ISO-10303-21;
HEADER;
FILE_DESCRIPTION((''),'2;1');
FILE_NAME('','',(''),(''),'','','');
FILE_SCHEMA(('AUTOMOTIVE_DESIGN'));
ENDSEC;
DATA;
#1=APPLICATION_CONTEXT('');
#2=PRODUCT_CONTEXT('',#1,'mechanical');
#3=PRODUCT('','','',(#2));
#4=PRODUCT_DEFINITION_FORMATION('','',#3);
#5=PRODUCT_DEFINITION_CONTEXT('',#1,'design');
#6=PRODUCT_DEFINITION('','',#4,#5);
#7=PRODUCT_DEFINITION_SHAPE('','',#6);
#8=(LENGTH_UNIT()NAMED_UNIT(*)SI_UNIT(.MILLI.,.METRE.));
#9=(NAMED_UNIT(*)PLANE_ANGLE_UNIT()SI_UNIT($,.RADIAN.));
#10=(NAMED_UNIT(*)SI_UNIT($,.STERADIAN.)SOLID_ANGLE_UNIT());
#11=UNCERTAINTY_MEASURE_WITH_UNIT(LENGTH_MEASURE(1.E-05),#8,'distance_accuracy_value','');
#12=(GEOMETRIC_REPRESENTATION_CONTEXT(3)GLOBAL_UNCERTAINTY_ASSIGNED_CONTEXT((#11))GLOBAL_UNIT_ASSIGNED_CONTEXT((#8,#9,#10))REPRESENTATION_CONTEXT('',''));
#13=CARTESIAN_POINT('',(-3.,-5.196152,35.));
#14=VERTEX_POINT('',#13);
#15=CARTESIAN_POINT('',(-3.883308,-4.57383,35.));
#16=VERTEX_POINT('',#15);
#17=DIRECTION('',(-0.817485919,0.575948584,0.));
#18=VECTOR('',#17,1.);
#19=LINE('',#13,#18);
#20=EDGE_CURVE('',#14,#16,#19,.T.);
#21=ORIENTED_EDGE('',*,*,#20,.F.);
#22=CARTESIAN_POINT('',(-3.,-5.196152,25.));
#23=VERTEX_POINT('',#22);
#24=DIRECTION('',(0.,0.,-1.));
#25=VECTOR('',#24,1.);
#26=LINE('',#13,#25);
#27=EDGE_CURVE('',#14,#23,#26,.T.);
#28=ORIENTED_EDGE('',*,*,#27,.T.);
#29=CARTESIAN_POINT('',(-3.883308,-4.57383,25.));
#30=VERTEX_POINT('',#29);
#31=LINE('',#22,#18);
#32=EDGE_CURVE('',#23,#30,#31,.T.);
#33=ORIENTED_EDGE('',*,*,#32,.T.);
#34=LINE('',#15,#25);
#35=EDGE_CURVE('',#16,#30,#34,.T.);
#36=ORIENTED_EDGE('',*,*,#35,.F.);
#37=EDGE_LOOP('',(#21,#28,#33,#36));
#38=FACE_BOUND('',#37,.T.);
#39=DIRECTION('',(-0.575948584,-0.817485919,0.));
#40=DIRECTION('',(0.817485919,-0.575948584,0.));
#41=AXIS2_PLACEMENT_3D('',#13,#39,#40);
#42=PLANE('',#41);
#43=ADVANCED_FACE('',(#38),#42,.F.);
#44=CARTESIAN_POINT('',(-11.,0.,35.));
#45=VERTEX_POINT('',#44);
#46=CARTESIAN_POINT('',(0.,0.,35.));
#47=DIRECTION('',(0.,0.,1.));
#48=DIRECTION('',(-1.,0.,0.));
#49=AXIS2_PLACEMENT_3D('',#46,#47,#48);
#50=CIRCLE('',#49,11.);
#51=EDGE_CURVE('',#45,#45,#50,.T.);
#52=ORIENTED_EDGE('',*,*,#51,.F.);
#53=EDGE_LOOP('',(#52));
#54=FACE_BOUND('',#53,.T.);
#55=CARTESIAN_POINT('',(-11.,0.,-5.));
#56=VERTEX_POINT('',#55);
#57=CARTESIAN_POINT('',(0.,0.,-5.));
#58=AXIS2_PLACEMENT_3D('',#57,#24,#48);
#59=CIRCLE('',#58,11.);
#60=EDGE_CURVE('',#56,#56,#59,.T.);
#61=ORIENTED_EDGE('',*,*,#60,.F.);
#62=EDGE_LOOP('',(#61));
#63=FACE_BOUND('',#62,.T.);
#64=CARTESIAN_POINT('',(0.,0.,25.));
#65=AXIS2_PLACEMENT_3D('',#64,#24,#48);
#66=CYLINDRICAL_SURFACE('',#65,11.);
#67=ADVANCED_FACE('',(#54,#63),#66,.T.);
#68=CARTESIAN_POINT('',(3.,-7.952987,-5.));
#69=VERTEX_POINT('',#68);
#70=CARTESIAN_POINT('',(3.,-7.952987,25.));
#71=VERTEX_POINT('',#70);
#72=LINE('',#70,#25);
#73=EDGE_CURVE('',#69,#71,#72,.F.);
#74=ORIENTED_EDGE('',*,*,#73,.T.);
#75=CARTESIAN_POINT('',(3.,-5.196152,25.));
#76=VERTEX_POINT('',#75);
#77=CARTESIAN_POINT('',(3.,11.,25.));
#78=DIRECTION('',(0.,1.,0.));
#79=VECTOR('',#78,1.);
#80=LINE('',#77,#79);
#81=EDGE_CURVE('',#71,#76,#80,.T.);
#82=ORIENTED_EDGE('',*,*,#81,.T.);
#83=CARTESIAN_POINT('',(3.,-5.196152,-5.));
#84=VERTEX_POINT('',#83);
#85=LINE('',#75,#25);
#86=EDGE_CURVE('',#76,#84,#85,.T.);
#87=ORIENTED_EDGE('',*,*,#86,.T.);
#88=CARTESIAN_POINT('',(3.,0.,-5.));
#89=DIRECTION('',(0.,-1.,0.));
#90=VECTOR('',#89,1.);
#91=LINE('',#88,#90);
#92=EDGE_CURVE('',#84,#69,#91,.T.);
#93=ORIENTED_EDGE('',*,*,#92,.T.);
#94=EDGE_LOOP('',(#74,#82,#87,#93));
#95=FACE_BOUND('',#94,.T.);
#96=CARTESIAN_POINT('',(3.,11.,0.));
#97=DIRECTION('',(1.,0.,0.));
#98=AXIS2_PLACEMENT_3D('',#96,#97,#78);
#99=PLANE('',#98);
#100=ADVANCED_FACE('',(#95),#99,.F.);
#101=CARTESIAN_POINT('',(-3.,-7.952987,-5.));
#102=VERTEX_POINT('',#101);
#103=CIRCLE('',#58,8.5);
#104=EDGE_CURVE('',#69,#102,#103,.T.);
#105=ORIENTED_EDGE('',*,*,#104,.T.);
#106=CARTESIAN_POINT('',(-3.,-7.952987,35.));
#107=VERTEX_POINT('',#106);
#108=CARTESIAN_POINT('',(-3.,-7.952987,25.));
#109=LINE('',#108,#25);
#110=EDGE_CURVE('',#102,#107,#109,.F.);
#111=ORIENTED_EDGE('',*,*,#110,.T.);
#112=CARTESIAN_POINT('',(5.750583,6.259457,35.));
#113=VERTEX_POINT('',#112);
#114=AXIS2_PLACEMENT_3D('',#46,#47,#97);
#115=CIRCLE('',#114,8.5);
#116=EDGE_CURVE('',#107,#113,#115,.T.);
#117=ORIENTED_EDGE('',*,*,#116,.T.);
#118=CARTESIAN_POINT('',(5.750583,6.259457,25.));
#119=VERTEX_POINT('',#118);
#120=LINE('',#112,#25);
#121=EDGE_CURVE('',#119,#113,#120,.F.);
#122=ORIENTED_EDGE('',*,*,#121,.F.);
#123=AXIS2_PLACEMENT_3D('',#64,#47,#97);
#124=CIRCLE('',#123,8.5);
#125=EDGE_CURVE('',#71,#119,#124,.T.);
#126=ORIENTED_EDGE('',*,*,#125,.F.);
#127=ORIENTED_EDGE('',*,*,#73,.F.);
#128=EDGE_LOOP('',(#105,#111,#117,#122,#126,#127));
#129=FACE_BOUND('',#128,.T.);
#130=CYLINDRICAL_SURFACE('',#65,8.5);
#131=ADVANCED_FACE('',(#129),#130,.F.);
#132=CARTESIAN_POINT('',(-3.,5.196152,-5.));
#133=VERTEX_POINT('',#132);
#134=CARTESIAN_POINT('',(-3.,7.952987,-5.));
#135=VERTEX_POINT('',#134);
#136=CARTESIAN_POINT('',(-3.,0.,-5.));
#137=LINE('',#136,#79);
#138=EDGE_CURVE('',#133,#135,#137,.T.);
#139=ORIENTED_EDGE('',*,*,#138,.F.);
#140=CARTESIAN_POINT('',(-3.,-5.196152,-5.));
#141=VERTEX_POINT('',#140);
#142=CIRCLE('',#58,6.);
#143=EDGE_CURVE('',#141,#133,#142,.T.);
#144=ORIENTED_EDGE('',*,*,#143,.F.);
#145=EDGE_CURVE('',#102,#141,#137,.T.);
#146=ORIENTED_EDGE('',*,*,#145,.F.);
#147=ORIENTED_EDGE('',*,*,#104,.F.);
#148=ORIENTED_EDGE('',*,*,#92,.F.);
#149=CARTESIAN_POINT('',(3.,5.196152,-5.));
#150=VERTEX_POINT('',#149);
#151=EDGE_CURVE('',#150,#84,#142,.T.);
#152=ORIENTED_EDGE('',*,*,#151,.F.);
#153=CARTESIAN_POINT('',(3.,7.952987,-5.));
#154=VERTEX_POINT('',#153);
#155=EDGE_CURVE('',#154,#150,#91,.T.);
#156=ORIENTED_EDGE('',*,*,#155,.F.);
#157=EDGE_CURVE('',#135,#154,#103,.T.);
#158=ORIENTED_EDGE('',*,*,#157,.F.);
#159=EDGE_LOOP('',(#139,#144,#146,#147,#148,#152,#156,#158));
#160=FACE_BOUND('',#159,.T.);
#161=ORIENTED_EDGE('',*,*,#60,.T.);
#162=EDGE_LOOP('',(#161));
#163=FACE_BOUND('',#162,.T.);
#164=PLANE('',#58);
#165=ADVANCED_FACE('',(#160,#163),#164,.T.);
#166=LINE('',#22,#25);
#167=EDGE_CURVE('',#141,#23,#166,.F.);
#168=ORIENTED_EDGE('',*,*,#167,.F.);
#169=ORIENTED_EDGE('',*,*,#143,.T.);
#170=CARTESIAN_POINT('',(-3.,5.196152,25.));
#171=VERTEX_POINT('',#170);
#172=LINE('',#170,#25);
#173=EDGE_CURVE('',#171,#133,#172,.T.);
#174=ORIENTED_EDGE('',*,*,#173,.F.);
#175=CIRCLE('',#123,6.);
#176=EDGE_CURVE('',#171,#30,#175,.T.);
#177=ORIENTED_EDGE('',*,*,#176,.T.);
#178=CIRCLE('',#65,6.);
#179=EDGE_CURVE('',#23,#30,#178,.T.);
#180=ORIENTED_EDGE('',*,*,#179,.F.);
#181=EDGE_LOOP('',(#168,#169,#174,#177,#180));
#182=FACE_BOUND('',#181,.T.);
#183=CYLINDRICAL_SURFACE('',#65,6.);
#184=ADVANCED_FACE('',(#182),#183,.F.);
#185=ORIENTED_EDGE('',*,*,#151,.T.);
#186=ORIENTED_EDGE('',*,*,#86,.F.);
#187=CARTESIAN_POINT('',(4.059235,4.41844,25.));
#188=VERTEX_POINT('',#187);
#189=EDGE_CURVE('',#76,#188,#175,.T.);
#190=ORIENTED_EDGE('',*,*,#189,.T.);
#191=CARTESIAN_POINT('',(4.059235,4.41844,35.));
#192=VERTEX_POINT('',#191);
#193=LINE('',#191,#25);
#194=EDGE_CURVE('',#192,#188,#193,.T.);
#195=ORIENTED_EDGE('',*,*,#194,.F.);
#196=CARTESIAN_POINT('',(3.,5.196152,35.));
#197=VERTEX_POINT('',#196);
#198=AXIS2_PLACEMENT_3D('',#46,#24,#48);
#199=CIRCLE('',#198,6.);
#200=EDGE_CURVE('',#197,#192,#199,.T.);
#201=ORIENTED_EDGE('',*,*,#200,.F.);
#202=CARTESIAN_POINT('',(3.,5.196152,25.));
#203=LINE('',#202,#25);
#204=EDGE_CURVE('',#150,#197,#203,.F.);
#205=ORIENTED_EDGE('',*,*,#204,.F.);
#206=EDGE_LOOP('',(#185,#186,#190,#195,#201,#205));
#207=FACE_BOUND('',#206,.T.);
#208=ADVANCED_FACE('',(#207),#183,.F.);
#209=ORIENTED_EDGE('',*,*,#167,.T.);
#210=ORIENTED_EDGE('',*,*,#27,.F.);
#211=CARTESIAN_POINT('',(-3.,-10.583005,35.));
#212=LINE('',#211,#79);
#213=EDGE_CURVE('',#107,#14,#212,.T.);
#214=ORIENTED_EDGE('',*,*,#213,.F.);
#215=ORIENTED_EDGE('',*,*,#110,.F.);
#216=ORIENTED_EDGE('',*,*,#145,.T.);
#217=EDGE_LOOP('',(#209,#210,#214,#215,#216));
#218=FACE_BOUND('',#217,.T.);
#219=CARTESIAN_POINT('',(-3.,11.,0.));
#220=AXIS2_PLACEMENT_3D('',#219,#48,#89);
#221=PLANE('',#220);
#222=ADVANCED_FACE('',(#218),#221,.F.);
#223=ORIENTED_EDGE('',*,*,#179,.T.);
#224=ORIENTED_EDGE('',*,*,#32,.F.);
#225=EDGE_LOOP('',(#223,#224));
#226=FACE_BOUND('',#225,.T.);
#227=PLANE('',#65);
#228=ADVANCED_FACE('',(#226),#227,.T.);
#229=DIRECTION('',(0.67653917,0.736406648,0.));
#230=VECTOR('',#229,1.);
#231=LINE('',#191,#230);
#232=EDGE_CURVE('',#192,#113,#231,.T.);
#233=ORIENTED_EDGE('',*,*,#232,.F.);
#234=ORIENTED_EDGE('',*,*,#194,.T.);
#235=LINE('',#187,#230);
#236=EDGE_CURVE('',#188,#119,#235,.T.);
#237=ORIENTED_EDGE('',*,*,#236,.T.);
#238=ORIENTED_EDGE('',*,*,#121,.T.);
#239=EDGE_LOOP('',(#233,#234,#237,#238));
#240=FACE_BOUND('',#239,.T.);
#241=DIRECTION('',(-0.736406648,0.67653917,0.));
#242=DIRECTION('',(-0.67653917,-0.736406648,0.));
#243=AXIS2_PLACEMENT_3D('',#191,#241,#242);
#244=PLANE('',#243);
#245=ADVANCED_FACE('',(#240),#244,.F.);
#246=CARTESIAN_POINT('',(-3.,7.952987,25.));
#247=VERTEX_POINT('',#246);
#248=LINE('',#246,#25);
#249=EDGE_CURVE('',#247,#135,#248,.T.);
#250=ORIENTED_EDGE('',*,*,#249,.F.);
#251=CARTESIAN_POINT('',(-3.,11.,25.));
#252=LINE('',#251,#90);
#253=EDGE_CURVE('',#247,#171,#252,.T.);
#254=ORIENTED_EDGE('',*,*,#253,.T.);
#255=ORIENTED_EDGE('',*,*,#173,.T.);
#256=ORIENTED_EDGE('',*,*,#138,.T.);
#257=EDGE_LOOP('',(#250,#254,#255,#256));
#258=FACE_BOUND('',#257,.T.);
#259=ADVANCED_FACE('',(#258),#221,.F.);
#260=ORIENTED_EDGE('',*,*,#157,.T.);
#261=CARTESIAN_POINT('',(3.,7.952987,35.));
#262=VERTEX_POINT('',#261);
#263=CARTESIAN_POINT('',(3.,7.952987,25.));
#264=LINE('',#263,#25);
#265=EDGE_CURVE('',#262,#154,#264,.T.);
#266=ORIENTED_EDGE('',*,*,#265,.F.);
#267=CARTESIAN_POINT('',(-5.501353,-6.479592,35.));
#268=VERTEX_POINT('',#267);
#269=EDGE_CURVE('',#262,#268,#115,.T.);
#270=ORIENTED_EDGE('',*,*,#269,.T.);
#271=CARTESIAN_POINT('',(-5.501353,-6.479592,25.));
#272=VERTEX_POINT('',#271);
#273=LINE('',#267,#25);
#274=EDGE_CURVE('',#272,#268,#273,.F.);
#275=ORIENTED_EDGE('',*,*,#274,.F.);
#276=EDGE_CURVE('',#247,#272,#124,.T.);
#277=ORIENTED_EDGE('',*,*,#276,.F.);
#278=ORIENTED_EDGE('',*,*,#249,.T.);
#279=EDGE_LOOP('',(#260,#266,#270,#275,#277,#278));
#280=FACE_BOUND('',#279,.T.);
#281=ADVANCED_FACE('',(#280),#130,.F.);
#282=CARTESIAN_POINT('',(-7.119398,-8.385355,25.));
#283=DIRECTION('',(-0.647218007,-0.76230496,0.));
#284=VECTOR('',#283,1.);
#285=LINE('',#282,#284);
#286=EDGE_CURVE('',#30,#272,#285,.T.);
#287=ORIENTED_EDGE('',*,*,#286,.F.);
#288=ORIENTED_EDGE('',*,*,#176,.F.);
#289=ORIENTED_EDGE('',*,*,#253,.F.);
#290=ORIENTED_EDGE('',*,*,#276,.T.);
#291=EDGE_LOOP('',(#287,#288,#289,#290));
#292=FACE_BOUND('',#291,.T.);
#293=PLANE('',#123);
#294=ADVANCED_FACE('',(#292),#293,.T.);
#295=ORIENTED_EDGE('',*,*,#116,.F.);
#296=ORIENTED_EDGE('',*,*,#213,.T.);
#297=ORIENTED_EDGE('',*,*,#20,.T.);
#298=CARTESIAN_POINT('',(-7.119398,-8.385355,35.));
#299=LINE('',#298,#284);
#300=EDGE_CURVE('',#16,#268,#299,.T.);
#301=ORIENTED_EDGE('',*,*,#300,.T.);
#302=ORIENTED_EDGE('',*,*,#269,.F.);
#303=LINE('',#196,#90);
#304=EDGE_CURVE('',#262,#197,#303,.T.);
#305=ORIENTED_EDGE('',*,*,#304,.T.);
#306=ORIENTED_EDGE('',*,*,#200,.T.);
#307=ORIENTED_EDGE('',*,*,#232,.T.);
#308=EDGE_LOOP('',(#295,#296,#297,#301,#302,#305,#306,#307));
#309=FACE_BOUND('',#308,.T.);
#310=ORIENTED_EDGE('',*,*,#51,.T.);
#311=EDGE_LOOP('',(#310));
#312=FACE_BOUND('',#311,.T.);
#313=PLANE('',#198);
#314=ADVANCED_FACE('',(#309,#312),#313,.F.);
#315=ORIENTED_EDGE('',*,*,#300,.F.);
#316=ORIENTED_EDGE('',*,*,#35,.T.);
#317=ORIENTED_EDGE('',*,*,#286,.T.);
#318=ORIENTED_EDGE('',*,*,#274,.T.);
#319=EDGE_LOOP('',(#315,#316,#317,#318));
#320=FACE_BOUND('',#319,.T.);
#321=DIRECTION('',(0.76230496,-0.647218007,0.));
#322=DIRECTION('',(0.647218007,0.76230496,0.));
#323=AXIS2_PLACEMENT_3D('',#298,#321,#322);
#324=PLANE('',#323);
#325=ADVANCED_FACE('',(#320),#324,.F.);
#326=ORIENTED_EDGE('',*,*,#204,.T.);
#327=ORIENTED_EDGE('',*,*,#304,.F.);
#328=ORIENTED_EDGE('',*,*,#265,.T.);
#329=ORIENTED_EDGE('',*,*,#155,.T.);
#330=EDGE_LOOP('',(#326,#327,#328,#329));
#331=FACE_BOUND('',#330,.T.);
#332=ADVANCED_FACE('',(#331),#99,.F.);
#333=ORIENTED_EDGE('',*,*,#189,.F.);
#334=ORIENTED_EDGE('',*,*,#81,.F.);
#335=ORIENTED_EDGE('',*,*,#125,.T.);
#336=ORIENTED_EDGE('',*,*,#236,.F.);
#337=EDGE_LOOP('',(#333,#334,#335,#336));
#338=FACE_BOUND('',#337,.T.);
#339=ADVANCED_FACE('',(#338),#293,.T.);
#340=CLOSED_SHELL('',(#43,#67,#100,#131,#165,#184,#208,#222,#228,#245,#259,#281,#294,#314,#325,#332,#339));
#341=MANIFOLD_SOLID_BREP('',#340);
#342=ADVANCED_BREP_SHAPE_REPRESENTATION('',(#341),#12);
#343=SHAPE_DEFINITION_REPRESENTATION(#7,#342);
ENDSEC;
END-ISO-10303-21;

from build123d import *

# Parameters (mm, degrees)
CROQUIS1_R              = 11
CROQUIS1_R_2            = 6
SALIENTE_EXTRUIR1_DEPTH = 25
CROQUIS2_W              = 6
CROQUIS2_H              = 22
CORTAR_EXTRUIR1_DEPTH   = 25
CROQUIS3_R              = 11
CROQUIS3_R_2            = 8.5
SALIENTE_EXTRUIR2_DEPTH = 25
SALIENTE_EXTRUIR3_DEPTH = 10
SALIENTE_EXTRUIR4_DEPTH = 10
CROQUIS9_R              = 11
CROQUIS9_R_2            = 8.5
SALIENTE_EXTRUIR5_DEPTH = 10
CROQUIS13_R             = 11
CROQUIS13_R_2           = 6
SALIENTE_EXTRUIR6_DEPTH = 5
CROQUIS14_W             = 6
CROQUIS14_H             = 22
CORTAR_EXTRUIR2_DEPTH   = 5
CROQUIS15_R             = 11
CROQUIS15_R_2           = 8.5
SALIENTE_EXTRUIR7_DEPTH = 5


with BuildPart() as part:
    # Croquis1 → Saliente-Extruir1 (new body)
    with BuildSketch(Plane.XY):
        Circle(CROQUIS1_R)
        Circle(CROQUIS1_R_2, mode=Mode.SUBTRACT)
    extrude(amount=SALIENTE_EXTRUIR1_DEPTH)

    # Croquis2 → Cortar-Extruir1 (cut)
    with BuildSketch(Plane.XY.offset(25)):
        Rectangle(CROQUIS2_W, CROQUIS2_H)
    extrude(amount=-CORTAR_EXTRUIR1_DEPTH, mode=Mode.SUBTRACT)

    # Croquis3 → Saliente-Extruir2 (add)
    with BuildSketch(Plane.XY):
        Circle(CROQUIS3_R)
        Circle(CROQUIS3_R_2, mode=Mode.SUBTRACT)
    extrude(amount=SALIENTE_EXTRUIR2_DEPTH)

    # Croquis4 → Saliente-Extruir3 (add)
    with BuildSketch(Plane.XY.offset(25)):
        with BuildLine():
            Line((3, 5.196152423), (3, 10.583005244))
            ThreePointArc((3, 10.583005244), (5.366490611, 9.602123647), (7.441930866, 8.100473133))
            Line((7.441930866, 8.100473133), (4.059235018, 4.418439891))
            ThreePointArc((4.059235018, 4.418439891), (3.550972959, 4.83638202), (3, 5.196152423))
        make_face()
    extrude(amount=SALIENTE_EXTRUIR3_DEPTH)

    # Croquis8 → Saliente-Extruir4 (add)
    with BuildSketch(Plane.XY.offset(25)):
        Polygon((-3, -10.583005244), (-3, -5.196152423), (-3.883308042, -4.573829758), (-7.119398076, -8.385354556), align=None)
    extrude(amount=SALIENTE_EXTRUIR4_DEPTH)

    # Croquis9 → Saliente-Extruir5 (add)
    with BuildSketch(Plane.XY.offset(25)):
        Circle(CROQUIS9_R)
        Circle(CROQUIS9_R_2, mode=Mode.SUBTRACT)
    extrude(amount=SALIENTE_EXTRUIR5_DEPTH)

    # Croquis13 → Saliente-Extruir6 (add)
    with BuildSketch(Plane(origin=(0, 0, 0), x_dir=(-1, 0, 0), z_dir=(0, 0, -1))):
        Circle(CROQUIS13_R)
        Circle(CROQUIS13_R_2, mode=Mode.SUBTRACT)
    extrude(amount=SALIENTE_EXTRUIR6_DEPTH)

    # Croquis14 → Cortar-Extruir2 (cut)
    with BuildSketch(Plane(origin=(0, 0, -5), x_dir=(-1, 0, 0), z_dir=(0, 0, -1))):
        Rectangle(CROQUIS14_W, CROQUIS14_H)
    extrude(amount=-CORTAR_EXTRUIR2_DEPTH, mode=Mode.SUBTRACT)

    # Croquis15 → Saliente-Extruir7 (add)
    with BuildSketch(Plane(origin=(0, 0, -5), x_dir=(-1, 0, 0), z_dir=(0, 0, -1))):
        Circle(CROQUIS15_R)
        Circle(CROQUIS15_R_2, mode=Mode.SUBTRACT)
    extrude(amount=-SALIENTE_EXTRUIR7_DEPTH)


solid = part.part
